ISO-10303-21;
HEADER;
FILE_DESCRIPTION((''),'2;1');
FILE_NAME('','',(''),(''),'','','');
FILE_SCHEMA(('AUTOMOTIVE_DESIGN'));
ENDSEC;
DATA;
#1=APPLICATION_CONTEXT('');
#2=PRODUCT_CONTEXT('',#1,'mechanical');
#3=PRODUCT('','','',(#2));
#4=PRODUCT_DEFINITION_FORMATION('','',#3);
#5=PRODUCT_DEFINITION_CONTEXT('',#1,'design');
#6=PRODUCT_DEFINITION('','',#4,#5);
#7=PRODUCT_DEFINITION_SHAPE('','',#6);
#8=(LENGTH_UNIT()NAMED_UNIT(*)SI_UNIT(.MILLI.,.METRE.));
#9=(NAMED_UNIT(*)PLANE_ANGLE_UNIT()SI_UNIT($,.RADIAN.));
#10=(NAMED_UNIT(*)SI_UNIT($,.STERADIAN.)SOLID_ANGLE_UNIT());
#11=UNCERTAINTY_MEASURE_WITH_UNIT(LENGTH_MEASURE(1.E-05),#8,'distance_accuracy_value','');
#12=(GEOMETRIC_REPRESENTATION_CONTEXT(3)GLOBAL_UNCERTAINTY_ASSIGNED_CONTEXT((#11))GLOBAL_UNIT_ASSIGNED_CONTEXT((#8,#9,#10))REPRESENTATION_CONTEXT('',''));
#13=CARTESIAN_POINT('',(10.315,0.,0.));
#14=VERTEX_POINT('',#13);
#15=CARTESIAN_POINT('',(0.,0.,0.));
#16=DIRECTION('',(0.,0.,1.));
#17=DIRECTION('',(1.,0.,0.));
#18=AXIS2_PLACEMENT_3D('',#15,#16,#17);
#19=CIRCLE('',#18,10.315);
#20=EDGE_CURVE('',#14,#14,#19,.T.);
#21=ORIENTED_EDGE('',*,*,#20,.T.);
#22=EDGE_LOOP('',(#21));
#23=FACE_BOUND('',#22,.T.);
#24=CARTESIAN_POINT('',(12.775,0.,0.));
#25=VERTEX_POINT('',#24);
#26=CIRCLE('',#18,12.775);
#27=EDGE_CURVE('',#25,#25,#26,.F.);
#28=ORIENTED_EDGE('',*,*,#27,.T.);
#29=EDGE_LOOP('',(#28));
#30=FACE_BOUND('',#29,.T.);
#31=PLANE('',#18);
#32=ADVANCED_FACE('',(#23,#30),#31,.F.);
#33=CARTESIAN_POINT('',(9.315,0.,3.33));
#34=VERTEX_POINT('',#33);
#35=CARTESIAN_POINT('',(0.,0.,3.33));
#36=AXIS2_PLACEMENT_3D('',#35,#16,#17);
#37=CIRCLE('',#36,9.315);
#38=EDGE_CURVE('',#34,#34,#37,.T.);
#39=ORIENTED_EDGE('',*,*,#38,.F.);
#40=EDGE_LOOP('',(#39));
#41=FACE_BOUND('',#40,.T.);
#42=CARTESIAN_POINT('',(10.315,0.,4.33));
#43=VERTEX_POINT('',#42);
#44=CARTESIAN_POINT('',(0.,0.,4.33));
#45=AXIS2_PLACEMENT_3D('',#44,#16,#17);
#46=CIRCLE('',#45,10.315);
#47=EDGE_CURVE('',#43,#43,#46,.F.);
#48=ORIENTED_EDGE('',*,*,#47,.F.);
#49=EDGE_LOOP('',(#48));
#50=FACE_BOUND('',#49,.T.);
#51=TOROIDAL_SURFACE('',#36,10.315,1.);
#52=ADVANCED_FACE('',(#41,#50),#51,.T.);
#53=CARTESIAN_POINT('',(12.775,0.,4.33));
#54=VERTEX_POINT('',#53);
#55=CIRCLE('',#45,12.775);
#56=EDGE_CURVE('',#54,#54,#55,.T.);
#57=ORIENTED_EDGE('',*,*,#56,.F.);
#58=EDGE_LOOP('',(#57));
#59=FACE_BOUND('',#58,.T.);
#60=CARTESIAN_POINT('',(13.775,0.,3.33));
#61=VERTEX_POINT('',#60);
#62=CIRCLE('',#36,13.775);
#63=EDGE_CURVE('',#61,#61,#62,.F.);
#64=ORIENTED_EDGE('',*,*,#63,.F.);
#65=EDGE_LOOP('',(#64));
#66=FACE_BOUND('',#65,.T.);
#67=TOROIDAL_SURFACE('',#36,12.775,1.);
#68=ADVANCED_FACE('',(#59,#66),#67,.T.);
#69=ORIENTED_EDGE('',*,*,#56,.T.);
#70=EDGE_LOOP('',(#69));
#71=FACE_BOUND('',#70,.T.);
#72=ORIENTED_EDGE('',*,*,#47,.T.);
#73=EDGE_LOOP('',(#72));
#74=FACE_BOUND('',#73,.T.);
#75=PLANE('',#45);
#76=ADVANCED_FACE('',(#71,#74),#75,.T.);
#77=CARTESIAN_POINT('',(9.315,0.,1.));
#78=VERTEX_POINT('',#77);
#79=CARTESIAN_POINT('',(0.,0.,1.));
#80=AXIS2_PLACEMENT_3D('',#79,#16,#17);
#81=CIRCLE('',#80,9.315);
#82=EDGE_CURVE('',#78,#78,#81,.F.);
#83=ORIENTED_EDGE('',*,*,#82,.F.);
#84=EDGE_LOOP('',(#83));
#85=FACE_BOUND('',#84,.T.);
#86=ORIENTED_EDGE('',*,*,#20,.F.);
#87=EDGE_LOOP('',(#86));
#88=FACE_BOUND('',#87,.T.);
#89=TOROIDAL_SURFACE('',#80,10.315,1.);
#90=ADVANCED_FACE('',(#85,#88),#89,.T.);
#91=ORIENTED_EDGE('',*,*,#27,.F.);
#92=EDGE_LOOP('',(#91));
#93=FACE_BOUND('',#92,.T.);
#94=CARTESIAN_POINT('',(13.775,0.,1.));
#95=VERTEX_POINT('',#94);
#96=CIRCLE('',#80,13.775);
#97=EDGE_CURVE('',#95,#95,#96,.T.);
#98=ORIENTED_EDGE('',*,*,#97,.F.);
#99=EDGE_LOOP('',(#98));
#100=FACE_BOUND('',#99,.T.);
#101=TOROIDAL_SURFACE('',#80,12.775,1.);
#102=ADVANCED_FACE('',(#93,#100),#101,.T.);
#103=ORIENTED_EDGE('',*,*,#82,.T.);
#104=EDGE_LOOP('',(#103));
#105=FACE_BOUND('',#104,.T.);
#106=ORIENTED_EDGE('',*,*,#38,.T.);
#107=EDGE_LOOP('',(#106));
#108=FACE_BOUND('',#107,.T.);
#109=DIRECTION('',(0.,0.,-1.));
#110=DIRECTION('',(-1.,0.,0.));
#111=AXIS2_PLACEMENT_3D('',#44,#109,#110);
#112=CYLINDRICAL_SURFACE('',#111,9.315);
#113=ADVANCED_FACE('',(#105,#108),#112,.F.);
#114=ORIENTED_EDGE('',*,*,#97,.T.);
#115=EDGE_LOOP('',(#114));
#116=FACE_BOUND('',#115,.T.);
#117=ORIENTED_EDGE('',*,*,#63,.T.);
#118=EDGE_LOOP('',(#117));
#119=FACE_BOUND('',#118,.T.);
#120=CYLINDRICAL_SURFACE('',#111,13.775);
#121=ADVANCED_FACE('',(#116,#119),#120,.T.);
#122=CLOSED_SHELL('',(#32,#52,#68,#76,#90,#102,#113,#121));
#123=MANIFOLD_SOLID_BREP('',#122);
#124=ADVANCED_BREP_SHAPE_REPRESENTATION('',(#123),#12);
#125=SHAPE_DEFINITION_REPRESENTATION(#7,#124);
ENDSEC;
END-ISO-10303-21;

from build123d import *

# Parameters (mm, degrees)
SKETCH2_R           = 13.775
SKETCH2_R_2         = 9.315
BOSS_EXTRUDE1_DEPTH = 4.33
FILLET2_R           = 1


with BuildPart() as part:
    # Sketch2 → Boss-Extrude1 (new body)
    with BuildSketch(Plane.XY):
        Circle(SKETCH2_R)
        Circle(SKETCH2_R_2, mode=Mode.SUBTRACT)
    extrude(amount=BOSS_EXTRUDE1_DEPTH)

    # Fillet2
    fillet2_edges = [part.edges().sort_by_distance(p)[0] for p in [
        (-13.775, 0, 0),
        (-13.775, 0, 4.33),
        (-9.315, 0, 0),
        (-9.315, 0, 4.33),
    ]]
    fillet(fillet2_edges, radius=FILLET2_R)


solid = part.part
